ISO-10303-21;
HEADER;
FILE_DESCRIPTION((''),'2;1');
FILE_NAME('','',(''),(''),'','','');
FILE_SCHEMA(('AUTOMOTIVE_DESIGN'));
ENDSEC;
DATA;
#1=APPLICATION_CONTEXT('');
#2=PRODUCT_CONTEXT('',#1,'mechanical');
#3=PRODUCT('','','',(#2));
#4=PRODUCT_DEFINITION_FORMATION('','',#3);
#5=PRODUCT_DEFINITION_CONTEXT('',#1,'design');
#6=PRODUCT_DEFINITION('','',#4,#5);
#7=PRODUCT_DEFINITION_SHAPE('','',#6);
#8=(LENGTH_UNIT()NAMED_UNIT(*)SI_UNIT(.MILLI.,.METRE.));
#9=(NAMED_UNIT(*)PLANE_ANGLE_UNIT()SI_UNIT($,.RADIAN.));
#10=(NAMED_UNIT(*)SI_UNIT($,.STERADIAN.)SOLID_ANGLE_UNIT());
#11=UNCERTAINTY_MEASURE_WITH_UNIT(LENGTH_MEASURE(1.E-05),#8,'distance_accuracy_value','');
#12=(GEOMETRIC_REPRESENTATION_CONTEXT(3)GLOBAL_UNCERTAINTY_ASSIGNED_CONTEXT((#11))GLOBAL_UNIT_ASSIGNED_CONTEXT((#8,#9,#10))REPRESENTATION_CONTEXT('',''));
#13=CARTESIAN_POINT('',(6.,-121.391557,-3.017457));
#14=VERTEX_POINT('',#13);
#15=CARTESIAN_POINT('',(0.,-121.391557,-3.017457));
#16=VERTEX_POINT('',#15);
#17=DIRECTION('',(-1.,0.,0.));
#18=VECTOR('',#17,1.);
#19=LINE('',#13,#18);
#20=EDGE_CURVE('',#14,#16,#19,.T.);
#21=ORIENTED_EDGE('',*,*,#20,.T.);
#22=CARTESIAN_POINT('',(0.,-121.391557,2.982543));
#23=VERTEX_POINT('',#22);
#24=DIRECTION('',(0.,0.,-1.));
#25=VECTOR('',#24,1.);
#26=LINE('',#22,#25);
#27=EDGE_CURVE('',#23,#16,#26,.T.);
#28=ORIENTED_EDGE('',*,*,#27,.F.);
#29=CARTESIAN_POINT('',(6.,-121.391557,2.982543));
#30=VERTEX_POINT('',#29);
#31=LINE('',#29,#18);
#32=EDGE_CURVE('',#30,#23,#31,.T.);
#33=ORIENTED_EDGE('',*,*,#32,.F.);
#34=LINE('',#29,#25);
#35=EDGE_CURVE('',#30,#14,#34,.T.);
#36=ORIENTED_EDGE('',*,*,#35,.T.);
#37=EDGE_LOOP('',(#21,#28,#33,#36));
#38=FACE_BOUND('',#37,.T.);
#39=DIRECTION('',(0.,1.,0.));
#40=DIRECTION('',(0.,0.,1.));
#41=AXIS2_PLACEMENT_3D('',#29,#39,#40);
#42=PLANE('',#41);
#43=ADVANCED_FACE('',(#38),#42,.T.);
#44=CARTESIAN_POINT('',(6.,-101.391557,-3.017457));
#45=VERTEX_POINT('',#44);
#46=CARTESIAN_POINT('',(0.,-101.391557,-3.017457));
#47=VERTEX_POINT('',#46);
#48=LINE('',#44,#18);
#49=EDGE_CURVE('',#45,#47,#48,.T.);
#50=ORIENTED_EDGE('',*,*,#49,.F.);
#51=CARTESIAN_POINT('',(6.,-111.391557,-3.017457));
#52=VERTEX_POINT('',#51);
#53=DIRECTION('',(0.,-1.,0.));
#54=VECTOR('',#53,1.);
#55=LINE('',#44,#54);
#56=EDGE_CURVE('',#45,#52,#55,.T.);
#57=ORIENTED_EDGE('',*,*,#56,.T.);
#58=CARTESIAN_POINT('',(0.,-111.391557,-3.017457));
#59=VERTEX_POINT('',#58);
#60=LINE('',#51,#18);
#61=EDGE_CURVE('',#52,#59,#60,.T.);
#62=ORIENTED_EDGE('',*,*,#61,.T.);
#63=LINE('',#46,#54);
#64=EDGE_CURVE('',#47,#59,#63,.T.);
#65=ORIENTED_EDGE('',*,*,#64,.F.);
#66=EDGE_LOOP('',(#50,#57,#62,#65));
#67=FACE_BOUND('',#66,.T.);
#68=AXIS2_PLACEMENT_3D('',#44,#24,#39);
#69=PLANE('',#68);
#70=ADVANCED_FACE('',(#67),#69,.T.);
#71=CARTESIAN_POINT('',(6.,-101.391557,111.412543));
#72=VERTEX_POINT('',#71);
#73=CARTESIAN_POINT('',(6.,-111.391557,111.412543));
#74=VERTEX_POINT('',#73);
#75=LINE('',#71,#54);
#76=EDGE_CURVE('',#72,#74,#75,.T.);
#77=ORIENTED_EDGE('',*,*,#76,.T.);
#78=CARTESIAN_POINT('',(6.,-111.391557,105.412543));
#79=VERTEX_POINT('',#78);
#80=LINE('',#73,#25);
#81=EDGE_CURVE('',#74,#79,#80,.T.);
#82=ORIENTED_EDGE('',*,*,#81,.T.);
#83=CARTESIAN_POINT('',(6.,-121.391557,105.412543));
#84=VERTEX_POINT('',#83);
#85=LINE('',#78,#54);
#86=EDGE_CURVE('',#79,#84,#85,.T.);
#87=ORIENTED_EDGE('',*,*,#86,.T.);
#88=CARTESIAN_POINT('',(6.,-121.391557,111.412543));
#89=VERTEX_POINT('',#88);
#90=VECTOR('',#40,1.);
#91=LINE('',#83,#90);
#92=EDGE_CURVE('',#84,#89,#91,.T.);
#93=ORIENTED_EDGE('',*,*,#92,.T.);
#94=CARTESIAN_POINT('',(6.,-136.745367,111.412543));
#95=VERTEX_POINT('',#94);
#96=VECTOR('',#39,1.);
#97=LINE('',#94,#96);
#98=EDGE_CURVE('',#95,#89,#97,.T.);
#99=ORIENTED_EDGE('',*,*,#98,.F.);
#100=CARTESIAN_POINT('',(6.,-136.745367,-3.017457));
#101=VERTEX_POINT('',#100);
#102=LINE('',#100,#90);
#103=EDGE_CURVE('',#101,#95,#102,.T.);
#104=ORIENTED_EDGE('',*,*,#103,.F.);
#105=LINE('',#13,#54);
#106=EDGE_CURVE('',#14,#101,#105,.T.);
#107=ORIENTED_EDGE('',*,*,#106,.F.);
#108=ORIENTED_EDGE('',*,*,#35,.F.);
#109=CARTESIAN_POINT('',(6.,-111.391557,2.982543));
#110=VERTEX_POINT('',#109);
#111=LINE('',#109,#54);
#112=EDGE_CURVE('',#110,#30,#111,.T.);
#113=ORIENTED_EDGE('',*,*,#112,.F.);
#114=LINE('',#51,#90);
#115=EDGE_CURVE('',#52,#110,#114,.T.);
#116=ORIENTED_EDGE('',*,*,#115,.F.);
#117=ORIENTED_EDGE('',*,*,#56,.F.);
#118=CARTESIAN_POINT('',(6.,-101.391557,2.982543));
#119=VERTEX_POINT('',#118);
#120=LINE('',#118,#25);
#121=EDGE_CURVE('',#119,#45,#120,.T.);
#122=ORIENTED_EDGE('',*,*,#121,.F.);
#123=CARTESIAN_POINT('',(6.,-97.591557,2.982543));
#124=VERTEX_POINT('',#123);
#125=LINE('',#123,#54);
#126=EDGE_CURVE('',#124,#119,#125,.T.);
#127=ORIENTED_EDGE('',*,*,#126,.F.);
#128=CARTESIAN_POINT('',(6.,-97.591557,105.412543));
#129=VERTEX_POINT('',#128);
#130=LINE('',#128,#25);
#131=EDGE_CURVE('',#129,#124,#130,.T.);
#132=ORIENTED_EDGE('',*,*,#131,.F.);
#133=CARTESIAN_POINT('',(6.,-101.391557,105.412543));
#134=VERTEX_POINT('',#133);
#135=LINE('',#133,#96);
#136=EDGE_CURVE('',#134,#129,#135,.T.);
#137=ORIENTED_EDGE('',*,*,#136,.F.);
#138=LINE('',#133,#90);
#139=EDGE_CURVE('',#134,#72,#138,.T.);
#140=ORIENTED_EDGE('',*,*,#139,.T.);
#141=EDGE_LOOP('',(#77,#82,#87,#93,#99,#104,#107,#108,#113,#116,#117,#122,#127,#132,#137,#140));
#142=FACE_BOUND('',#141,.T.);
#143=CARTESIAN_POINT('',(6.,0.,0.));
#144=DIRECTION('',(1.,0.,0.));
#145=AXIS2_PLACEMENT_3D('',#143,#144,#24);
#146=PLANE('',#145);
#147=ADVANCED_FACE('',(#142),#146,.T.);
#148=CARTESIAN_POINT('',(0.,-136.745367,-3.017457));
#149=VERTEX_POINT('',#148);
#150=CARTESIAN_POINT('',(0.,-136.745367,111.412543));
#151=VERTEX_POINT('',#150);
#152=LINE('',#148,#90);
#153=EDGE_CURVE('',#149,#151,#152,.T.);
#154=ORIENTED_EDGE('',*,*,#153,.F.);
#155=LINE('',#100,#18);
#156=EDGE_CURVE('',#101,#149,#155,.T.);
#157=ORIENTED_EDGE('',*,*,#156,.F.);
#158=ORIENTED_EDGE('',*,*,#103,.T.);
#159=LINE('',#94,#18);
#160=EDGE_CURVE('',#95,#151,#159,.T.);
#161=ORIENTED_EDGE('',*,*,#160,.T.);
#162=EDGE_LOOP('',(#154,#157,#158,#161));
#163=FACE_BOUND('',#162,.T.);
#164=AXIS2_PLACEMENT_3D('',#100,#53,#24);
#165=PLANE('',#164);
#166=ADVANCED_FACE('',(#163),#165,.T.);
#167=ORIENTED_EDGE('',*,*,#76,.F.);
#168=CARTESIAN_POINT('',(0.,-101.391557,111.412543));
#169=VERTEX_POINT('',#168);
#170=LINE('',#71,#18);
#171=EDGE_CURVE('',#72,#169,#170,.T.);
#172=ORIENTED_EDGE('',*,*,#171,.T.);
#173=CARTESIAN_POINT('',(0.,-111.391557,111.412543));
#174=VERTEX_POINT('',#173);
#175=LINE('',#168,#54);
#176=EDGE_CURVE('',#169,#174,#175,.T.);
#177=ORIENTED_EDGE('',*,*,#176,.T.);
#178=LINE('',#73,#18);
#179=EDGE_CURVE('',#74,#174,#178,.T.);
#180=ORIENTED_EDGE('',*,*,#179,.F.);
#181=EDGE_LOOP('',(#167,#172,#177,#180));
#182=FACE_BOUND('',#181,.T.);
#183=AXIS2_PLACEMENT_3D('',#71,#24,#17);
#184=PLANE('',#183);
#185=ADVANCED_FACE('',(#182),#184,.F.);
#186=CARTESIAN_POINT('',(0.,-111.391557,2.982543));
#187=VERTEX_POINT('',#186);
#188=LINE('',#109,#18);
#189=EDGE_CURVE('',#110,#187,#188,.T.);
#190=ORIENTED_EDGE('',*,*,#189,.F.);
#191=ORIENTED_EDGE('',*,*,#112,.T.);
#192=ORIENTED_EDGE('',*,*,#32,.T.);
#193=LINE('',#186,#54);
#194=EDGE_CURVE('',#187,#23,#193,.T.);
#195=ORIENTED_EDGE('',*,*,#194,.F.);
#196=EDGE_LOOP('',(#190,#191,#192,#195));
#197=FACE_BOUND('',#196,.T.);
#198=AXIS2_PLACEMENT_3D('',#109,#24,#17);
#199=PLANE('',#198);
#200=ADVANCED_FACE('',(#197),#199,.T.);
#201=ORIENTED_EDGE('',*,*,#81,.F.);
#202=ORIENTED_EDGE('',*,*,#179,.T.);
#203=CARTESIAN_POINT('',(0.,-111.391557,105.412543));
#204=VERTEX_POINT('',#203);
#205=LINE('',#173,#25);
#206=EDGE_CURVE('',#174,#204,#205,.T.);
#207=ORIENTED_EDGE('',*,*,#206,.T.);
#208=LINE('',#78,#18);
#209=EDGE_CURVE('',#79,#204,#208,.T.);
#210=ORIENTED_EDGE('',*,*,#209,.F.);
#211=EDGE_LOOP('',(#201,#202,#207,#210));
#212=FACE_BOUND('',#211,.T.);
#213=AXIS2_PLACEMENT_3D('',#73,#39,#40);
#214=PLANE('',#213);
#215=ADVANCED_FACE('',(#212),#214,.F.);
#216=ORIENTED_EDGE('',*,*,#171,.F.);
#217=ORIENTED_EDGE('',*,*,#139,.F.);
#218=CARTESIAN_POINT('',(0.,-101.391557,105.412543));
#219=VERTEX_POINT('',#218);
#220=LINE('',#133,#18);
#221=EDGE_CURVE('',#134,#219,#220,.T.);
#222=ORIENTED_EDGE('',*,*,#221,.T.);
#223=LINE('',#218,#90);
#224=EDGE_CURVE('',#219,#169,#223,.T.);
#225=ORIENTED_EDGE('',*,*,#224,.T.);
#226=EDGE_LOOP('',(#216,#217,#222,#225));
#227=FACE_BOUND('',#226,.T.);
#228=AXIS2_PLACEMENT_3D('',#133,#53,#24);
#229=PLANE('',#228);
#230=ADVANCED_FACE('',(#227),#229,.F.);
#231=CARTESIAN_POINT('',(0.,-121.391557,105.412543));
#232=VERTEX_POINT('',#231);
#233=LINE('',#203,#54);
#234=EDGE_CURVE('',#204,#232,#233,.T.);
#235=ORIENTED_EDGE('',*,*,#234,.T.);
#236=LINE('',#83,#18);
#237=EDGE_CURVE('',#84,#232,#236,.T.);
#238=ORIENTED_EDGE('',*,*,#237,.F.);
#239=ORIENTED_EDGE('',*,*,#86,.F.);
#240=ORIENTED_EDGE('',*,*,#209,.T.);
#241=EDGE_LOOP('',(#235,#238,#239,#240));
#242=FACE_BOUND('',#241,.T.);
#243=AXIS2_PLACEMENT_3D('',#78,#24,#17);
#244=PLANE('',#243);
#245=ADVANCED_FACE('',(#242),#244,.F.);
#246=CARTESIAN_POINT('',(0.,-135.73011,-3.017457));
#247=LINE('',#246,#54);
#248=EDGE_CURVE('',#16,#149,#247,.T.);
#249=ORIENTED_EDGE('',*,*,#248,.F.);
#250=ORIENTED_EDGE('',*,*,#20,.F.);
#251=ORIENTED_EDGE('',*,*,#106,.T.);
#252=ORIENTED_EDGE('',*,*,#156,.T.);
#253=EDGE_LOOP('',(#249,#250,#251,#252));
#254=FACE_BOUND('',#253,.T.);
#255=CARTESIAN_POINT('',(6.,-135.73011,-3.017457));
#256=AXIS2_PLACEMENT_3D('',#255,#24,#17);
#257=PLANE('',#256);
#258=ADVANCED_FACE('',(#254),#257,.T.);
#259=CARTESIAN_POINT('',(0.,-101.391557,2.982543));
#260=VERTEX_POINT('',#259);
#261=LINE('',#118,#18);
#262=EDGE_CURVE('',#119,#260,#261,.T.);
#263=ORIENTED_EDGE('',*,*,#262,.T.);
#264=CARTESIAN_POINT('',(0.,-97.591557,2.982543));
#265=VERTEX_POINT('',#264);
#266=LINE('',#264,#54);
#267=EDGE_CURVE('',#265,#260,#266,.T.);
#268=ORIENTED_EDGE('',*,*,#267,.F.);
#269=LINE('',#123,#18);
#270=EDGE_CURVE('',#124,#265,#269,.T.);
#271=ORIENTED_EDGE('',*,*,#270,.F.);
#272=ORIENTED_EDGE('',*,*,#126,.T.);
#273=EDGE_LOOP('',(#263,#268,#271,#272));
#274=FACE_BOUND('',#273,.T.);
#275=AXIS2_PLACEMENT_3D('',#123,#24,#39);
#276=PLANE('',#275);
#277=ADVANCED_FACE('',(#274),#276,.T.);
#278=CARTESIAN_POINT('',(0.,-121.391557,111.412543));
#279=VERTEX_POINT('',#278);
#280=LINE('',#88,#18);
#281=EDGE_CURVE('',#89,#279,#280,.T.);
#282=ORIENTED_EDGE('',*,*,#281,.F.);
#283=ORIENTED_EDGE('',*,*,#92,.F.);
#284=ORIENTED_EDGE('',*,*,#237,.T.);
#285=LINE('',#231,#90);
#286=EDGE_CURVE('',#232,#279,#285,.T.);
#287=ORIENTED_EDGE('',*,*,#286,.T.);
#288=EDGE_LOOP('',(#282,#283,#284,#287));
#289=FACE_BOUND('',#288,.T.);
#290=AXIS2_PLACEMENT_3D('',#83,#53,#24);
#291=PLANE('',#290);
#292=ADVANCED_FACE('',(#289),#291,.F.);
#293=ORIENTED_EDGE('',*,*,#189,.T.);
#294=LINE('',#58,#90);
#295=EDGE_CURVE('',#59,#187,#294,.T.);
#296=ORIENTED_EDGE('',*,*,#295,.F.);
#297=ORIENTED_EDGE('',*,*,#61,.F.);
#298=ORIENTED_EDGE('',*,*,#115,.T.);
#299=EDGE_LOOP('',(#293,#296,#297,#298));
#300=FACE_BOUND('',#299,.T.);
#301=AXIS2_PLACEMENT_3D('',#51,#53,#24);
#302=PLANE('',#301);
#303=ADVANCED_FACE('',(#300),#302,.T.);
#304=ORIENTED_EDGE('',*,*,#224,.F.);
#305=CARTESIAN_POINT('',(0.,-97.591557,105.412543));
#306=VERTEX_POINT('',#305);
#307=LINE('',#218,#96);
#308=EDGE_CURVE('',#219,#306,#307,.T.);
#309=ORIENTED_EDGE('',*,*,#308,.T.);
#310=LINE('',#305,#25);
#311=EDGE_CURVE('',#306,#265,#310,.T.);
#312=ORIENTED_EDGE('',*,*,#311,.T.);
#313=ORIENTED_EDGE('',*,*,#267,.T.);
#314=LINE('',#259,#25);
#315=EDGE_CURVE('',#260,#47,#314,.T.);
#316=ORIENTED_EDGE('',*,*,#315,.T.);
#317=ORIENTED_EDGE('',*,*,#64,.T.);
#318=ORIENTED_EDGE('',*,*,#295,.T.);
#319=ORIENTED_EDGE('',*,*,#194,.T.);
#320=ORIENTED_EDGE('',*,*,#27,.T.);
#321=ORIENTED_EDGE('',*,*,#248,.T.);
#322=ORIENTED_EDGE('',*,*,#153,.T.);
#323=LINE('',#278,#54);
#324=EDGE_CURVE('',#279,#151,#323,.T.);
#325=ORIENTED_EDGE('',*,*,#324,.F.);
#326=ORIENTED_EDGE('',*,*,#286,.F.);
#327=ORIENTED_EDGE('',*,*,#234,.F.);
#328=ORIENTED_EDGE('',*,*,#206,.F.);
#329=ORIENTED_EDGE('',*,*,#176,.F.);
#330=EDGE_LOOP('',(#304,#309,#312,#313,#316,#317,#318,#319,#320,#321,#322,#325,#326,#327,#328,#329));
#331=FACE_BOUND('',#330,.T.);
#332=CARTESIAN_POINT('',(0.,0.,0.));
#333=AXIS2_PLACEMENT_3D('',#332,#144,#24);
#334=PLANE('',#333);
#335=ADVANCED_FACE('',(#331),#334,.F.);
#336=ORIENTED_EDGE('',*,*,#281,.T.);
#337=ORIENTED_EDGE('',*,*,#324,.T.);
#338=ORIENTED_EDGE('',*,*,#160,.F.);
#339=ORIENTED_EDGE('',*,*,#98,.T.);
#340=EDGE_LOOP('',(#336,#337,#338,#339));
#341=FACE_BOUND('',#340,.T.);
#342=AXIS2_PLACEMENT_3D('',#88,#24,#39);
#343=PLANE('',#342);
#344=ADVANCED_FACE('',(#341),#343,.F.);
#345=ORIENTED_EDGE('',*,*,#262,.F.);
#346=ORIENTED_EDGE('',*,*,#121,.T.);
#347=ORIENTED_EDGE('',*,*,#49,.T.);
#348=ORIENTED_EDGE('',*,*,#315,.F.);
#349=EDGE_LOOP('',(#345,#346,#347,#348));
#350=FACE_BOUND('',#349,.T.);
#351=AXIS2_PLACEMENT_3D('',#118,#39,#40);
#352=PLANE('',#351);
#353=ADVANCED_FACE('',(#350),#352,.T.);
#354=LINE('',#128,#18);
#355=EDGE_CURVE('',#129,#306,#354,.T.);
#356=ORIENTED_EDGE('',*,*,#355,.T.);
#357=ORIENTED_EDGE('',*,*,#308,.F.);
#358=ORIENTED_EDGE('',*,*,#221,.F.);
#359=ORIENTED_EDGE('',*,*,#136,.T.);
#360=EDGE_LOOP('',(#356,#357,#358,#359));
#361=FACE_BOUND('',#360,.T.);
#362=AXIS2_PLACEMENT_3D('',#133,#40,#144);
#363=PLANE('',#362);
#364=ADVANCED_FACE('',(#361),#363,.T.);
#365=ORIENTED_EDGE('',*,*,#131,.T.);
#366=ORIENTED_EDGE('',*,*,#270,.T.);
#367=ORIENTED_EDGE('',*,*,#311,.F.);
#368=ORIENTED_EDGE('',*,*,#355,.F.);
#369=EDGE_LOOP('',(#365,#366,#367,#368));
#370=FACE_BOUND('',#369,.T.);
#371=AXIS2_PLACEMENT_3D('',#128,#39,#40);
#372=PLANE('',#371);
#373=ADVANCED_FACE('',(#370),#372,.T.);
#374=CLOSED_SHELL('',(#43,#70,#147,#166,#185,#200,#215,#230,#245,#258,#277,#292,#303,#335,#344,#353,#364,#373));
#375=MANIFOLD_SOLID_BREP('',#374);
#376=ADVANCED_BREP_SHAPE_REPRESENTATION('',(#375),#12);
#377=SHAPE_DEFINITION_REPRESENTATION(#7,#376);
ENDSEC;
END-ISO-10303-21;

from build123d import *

# Parameters (mm, degrees)
EXTRUDE_1_DEPTH = 6


with BuildPart() as part:
    # Эскиз1 → Бобышка-Вытянуть1 (new body)
    with BuildSketch(Plane(origin=(0, 0, 0), x_dir=(0, 0, -1), z_dir=(1, 0, 0))):
        Polygon((3.017456638, -135.730110247), (3.017456638, -136.745366564), (-111.412543362, -136.745366564), (-111.412543362, -135.730110247), (-111.412543362, -121.39155652), (-105.412543362, -121.39155652), (-105.412543362, -111.39155652), (-111.412543362, -111.39155652), (-111.412543362, -101.39155652), (-105.412543362, -101.39155652), (-105.412543362, -97.59155652), (-2.982543362, -97.59155652), (-2.982543362, -101.39155652), (3.017456638, -101.39155652), (3.017456638, -111.39155652), (-2.982543362, -111.39155652), (-2.982543362, -121.39155652), (3.017456638, -121.39155652), align=None)
    extrude(amount=EXTRUDE_1_DEPTH)


solid = part.part
